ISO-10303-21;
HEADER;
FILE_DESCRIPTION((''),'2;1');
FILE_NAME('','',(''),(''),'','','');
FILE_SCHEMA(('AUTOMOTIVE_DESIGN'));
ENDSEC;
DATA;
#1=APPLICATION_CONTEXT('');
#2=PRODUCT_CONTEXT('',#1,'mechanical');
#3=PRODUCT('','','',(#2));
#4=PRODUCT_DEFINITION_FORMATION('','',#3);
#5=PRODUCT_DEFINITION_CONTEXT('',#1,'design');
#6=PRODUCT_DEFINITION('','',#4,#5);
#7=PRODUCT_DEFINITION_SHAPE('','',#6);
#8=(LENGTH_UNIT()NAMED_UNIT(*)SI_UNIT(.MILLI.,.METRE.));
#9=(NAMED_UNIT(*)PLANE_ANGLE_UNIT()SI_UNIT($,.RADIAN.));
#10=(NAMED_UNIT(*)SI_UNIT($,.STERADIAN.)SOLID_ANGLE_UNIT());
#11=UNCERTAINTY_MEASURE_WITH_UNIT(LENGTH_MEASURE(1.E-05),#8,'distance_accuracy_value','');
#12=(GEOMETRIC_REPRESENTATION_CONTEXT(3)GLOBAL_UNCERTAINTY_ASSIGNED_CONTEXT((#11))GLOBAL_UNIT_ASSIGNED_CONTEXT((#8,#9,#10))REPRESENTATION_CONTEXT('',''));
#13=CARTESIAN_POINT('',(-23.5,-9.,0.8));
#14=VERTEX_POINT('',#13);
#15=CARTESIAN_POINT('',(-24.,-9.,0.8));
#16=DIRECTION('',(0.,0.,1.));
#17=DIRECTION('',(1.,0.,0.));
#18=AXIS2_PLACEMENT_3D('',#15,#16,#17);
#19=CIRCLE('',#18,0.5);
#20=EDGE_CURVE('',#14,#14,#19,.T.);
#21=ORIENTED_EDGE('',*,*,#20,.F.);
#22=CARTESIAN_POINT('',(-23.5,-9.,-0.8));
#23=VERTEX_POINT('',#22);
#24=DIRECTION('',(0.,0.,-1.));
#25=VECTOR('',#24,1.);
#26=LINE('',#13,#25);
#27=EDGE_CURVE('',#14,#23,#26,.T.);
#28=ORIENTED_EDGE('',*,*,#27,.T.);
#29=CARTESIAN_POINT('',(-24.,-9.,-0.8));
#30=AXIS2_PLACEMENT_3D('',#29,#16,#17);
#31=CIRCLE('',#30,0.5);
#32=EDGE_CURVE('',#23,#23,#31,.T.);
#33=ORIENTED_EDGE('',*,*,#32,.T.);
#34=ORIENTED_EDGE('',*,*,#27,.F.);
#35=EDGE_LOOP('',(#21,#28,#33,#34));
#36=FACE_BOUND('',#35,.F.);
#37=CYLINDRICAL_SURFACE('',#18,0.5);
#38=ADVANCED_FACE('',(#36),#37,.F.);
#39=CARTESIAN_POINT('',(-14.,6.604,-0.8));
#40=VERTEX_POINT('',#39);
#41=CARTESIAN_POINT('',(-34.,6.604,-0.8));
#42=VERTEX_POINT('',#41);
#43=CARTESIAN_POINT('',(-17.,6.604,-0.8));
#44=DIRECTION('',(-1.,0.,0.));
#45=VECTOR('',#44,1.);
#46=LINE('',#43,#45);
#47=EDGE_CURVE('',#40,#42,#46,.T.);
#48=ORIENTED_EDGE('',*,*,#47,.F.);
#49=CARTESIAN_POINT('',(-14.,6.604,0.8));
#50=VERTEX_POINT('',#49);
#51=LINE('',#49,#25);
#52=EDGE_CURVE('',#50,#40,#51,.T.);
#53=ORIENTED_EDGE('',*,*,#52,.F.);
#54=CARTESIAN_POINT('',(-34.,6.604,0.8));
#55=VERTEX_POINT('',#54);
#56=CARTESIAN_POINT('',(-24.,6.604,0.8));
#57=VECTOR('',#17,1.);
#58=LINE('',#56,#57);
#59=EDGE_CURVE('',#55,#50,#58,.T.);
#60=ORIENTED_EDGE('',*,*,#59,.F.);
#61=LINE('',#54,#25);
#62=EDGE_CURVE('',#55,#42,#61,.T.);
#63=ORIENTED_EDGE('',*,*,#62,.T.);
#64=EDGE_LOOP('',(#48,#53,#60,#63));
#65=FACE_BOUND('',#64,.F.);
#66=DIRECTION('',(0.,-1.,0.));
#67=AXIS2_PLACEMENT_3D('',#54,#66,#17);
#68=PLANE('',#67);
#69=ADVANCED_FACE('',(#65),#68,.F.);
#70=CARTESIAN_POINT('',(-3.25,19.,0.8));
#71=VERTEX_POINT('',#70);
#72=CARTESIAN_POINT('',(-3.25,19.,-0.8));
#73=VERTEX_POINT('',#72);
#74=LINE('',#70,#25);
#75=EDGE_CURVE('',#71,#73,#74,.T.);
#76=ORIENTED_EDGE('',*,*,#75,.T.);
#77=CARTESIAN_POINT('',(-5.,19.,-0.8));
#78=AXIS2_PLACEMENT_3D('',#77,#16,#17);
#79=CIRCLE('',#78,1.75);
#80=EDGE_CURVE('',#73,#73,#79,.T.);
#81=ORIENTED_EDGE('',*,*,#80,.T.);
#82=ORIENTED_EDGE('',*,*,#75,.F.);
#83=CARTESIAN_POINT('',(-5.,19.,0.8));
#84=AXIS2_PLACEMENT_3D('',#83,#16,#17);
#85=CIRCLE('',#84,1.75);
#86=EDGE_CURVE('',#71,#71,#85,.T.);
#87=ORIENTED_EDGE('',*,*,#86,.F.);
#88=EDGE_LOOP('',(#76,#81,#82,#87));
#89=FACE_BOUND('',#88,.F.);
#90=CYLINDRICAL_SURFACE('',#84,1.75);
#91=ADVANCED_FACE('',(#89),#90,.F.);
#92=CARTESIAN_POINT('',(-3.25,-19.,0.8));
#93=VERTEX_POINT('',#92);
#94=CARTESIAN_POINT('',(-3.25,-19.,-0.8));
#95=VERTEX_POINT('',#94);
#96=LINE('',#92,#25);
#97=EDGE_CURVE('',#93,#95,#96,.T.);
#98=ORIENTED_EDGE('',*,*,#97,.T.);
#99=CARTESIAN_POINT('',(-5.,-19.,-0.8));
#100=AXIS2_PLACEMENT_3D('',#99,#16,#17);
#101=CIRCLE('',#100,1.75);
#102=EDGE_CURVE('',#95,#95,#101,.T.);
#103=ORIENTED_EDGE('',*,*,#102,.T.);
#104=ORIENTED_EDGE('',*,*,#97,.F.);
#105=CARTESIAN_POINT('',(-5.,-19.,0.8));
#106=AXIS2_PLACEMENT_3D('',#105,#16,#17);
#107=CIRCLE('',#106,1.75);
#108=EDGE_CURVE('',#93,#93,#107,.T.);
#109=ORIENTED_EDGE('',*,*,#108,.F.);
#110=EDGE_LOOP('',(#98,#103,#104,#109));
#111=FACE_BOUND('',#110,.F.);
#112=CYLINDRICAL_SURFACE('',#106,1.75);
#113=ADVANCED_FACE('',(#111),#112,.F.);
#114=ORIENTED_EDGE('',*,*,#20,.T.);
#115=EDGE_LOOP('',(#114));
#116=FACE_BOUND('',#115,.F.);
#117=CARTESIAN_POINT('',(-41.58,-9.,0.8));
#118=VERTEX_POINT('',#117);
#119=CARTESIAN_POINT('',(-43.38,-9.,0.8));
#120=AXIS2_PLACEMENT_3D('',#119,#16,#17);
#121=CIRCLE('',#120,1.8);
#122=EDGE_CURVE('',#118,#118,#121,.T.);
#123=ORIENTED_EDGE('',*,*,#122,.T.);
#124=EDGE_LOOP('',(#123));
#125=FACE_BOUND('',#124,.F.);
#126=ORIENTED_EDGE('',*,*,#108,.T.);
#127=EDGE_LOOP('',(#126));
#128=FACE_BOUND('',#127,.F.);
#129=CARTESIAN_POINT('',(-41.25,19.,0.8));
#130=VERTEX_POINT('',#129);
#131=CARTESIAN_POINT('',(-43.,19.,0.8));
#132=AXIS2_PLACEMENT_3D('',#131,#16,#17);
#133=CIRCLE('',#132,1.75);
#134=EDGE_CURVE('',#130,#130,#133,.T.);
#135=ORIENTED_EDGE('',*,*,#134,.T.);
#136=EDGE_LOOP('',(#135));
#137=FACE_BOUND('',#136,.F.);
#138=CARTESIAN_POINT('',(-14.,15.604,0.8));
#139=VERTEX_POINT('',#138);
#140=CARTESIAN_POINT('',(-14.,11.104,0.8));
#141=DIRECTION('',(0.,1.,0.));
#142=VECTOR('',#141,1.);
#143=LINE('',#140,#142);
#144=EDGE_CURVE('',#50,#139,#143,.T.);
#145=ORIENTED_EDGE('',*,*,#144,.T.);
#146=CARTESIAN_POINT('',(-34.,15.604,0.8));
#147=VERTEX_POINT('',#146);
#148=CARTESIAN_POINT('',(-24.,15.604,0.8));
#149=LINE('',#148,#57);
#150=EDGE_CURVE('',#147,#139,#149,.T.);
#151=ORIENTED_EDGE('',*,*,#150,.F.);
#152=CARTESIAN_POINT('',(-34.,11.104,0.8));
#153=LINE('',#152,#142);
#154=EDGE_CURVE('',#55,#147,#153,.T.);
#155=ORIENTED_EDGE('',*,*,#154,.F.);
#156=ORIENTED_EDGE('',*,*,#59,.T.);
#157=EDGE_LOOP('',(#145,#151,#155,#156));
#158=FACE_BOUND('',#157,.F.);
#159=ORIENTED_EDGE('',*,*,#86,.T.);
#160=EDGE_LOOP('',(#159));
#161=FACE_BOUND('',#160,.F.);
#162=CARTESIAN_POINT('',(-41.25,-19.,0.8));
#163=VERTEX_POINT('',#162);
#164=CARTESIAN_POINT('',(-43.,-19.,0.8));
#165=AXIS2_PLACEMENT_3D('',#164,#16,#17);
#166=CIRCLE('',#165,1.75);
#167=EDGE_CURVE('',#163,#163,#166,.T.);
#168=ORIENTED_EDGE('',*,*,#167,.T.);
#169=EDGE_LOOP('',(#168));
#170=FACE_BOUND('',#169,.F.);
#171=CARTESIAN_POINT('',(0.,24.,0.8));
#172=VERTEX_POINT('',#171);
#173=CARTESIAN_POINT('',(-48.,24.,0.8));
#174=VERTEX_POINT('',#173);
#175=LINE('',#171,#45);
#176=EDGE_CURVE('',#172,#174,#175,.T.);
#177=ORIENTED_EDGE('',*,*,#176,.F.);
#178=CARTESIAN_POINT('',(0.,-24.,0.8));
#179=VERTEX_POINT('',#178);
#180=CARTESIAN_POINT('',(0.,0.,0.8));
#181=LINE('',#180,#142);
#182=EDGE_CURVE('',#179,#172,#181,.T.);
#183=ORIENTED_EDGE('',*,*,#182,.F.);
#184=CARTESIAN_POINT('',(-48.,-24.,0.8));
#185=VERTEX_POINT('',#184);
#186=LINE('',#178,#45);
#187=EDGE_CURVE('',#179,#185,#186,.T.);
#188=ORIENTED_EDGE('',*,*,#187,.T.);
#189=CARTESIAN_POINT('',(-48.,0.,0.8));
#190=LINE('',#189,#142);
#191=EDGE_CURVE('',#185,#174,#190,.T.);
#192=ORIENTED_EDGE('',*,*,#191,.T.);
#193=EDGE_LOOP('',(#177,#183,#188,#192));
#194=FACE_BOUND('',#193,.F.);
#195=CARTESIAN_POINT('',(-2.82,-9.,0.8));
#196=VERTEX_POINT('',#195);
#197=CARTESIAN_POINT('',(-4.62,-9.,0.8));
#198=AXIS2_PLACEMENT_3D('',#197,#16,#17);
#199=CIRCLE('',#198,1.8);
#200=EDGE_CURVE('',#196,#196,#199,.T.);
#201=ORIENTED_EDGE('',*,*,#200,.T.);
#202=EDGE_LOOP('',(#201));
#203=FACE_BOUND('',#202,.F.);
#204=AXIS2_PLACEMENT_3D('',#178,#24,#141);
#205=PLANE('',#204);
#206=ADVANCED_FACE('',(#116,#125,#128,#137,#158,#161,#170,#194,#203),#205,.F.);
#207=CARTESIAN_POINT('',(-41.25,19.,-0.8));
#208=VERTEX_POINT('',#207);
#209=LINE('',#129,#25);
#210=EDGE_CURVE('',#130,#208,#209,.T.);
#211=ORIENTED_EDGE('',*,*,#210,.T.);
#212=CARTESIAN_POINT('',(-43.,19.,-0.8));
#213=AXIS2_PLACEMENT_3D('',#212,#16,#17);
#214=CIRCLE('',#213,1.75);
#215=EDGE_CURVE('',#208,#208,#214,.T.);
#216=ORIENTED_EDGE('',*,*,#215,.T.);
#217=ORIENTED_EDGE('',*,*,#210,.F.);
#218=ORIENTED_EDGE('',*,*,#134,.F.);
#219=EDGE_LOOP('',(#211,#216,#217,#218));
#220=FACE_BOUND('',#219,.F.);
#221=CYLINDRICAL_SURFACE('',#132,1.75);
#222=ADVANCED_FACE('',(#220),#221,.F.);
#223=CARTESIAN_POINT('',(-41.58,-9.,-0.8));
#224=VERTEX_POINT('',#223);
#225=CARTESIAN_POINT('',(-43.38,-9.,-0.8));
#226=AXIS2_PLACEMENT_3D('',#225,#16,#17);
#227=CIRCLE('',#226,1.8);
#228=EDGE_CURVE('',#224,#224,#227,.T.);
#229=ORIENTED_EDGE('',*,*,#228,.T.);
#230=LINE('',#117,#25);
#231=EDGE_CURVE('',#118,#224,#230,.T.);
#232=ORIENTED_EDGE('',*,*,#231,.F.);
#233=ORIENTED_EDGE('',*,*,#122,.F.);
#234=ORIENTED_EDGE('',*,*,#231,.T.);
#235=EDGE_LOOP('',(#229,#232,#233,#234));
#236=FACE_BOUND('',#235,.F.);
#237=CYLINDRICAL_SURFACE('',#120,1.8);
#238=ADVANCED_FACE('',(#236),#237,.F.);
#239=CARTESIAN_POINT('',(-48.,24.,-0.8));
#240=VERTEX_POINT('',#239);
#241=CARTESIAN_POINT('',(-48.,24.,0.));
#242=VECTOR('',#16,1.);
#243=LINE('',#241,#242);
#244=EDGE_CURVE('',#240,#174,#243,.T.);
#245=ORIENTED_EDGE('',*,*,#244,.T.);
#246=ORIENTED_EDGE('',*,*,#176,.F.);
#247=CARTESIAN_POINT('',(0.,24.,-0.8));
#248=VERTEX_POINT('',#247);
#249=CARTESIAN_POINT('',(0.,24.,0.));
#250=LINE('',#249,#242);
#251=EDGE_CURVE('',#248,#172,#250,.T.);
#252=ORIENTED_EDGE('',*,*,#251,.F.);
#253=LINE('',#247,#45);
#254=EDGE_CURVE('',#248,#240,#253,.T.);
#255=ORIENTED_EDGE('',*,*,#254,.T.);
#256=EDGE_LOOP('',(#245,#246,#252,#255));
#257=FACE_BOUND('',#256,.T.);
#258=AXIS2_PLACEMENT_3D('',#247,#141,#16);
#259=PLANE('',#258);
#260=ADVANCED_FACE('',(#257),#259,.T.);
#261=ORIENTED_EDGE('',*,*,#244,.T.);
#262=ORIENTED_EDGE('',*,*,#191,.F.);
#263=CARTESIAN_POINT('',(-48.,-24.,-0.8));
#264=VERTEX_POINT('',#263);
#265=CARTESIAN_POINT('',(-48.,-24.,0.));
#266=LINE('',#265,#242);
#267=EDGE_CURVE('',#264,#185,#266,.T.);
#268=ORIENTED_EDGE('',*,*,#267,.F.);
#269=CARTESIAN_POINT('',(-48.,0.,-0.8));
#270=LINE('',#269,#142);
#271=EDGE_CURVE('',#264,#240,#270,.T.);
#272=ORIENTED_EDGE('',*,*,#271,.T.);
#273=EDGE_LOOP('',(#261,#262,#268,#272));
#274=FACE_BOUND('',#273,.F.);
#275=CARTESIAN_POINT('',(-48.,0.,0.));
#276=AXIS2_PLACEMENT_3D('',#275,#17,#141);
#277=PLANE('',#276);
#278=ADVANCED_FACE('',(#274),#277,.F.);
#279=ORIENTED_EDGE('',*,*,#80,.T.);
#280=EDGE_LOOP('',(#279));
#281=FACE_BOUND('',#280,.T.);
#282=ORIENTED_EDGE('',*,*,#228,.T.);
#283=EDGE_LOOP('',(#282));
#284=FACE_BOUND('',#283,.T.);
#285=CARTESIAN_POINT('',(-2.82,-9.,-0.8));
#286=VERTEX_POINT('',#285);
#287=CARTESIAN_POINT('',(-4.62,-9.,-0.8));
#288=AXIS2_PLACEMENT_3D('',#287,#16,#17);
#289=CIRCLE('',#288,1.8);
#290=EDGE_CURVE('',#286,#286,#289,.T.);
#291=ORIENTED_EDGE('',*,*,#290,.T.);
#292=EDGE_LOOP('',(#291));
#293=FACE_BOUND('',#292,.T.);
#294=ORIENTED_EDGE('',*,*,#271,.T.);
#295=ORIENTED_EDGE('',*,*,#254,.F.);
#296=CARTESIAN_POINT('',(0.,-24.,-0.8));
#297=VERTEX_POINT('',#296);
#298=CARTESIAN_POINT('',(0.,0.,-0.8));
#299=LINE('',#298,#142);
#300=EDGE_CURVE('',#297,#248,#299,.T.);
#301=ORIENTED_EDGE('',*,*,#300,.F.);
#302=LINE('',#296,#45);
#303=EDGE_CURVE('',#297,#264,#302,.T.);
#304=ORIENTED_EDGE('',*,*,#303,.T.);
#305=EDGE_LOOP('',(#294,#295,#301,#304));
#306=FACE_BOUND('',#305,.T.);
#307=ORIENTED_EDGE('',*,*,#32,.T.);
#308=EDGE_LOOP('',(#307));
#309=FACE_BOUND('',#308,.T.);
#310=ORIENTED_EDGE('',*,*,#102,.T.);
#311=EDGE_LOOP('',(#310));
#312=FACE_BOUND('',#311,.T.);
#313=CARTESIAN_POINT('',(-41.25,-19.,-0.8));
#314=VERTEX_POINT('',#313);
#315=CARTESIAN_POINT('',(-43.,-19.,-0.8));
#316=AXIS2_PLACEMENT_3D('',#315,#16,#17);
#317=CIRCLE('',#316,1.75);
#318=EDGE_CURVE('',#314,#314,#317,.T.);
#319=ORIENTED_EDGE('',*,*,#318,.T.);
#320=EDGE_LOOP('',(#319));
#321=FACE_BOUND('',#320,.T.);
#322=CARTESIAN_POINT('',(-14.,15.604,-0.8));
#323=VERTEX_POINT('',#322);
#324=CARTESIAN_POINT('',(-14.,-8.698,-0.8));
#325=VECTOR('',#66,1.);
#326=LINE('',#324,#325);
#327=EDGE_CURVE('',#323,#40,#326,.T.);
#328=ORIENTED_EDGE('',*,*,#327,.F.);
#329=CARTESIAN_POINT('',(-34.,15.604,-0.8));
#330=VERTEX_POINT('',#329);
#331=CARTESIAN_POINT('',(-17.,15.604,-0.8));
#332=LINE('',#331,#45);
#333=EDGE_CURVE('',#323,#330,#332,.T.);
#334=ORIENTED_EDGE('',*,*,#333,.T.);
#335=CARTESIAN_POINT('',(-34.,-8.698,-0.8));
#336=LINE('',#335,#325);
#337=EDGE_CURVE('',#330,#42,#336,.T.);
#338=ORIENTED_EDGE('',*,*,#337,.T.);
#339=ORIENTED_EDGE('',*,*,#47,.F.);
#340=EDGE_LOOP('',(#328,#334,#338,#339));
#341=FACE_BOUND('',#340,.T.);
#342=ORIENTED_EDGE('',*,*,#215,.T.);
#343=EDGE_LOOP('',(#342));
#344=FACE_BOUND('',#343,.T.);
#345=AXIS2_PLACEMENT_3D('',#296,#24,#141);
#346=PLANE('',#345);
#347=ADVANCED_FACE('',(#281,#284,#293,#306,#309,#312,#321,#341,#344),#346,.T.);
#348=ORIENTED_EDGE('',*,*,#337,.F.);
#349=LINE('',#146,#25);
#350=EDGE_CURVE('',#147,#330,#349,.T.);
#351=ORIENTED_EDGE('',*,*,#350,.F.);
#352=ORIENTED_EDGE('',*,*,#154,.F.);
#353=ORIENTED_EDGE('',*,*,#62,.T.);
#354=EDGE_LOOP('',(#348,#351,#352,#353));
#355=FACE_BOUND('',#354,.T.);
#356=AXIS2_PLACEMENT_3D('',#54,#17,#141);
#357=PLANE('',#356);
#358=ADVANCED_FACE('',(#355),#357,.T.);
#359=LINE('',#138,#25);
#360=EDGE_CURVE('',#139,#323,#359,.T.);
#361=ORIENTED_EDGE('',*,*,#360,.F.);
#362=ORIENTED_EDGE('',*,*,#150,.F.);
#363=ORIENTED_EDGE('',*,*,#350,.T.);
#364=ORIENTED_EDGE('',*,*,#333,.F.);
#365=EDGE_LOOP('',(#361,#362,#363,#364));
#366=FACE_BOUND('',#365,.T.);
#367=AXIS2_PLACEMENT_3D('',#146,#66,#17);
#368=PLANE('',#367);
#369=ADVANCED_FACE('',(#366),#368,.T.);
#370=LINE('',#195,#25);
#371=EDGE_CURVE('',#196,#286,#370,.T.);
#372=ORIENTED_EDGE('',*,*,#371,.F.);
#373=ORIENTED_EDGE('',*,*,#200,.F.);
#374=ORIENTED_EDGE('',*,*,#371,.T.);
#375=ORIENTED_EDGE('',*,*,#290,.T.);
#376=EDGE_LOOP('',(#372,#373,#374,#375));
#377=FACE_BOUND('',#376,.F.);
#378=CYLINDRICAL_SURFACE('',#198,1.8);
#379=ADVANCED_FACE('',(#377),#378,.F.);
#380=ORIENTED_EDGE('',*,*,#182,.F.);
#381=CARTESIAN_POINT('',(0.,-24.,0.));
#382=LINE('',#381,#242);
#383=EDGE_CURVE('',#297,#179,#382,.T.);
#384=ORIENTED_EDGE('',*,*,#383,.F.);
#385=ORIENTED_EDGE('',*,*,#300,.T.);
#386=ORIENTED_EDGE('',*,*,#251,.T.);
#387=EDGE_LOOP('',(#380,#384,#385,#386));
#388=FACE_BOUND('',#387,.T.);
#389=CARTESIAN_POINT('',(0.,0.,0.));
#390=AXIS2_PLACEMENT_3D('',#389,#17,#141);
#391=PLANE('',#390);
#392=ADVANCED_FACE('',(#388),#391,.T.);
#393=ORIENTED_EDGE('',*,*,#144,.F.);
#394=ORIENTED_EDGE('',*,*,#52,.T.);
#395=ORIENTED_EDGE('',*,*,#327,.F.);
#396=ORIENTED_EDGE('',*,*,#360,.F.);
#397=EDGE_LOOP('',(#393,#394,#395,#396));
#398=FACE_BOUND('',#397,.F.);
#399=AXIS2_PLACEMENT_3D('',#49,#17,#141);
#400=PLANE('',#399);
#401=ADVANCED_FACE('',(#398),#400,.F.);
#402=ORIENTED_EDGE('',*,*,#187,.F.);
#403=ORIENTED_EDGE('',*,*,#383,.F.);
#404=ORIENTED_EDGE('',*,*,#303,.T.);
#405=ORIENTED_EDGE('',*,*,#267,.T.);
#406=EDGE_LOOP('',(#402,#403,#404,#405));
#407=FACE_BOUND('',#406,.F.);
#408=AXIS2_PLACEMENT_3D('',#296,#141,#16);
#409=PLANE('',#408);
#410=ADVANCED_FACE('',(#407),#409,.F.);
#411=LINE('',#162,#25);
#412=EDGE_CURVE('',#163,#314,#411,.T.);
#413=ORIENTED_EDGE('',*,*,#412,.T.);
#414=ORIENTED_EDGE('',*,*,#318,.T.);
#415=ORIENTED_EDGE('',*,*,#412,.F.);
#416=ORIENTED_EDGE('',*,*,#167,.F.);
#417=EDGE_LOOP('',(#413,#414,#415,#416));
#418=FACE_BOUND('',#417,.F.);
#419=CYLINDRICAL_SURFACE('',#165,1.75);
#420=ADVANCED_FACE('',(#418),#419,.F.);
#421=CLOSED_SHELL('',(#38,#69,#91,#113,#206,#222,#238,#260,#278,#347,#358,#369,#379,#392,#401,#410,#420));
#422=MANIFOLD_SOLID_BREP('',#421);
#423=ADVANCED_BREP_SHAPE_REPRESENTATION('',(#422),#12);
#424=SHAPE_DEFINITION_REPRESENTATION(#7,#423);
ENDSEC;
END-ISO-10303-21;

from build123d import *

# Parameters (mm, degrees)
F0_W     = 48
F0_H     = 1.6
F1_DEPTH = 48
F2_R     = 1.75
F2_R_2   = 1.8
F2_R_3   = 0.5
F3_DEPTH = 1.601
F4_W     = 20
F4_H     = 9
F5_DEPTH = 1.601
F6_W     = 48
F6_H     = 48
F6_R     = 1.75
F6_W_2   = 20
F6_H_2   = 9
F7_DEPTH = 5


with BuildPart() as f1:
    # F0 (on Right) → F1 (new body)
    with BuildSketch(Plane.YZ):
        Rectangle(F0_W, F0_H)
    extrude(amount=-F1_DEPTH)

    # F2 (on face) → F3 (cut, through all)
    with BuildSketch(Plane.XY.offset(0.8)):
        with Locations((-43, -19)):
            Circle(F2_R)
        with Locations((-43, 19)):
            Circle(F2_R)
        with Locations((-43.38, -9)):
            Circle(F2_R_2)
        with Locations((-4.62, -9)):
            Circle(F2_R_2)
        with Locations((-5, 19)):
            Circle(F2_R)
        with Locations((-5, -19)):
            Circle(F2_R)
        with Locations((-24, -9)):
            Circle(F2_R_3)
    extrude(amount=-F3_DEPTH, mode=Mode.SUBTRACT)

    # F4 (on face) → F5 (cut, through all)
    with BuildSketch(Plane.XY.offset(0.8)):
        with Locations((-24, 11.104)):
            Rectangle(F4_W, F4_H)
    extrude(amount=-F5_DEPTH, mode=Mode.SUBTRACT)


with BuildPart() as f7:
    # F6 (on Top) → F7 (new body)
    with BuildSketch(Plane.XY):
        Rectangle(F6_W, F6_H)
        with Locations((-19, -19)):
            Circle(F6_R, mode=Mode.SUBTRACT)
        with Locations((19, -19)):
            Circle(F6_R, mode=Mode.SUBTRACT)
        with Locations((-19, 19)):
            Circle(F6_R, mode=Mode.SUBTRACT)
        with Locations((0, 14.5)):
            Rectangle(F6_W_2, F6_H_2, mode=Mode.SUBTRACT)
        with Locations((19, 19)):
            Circle(F6_R, mode=Mode.SUBTRACT)
    extrude(amount=F7_DEPTH)


solid = f1.part
